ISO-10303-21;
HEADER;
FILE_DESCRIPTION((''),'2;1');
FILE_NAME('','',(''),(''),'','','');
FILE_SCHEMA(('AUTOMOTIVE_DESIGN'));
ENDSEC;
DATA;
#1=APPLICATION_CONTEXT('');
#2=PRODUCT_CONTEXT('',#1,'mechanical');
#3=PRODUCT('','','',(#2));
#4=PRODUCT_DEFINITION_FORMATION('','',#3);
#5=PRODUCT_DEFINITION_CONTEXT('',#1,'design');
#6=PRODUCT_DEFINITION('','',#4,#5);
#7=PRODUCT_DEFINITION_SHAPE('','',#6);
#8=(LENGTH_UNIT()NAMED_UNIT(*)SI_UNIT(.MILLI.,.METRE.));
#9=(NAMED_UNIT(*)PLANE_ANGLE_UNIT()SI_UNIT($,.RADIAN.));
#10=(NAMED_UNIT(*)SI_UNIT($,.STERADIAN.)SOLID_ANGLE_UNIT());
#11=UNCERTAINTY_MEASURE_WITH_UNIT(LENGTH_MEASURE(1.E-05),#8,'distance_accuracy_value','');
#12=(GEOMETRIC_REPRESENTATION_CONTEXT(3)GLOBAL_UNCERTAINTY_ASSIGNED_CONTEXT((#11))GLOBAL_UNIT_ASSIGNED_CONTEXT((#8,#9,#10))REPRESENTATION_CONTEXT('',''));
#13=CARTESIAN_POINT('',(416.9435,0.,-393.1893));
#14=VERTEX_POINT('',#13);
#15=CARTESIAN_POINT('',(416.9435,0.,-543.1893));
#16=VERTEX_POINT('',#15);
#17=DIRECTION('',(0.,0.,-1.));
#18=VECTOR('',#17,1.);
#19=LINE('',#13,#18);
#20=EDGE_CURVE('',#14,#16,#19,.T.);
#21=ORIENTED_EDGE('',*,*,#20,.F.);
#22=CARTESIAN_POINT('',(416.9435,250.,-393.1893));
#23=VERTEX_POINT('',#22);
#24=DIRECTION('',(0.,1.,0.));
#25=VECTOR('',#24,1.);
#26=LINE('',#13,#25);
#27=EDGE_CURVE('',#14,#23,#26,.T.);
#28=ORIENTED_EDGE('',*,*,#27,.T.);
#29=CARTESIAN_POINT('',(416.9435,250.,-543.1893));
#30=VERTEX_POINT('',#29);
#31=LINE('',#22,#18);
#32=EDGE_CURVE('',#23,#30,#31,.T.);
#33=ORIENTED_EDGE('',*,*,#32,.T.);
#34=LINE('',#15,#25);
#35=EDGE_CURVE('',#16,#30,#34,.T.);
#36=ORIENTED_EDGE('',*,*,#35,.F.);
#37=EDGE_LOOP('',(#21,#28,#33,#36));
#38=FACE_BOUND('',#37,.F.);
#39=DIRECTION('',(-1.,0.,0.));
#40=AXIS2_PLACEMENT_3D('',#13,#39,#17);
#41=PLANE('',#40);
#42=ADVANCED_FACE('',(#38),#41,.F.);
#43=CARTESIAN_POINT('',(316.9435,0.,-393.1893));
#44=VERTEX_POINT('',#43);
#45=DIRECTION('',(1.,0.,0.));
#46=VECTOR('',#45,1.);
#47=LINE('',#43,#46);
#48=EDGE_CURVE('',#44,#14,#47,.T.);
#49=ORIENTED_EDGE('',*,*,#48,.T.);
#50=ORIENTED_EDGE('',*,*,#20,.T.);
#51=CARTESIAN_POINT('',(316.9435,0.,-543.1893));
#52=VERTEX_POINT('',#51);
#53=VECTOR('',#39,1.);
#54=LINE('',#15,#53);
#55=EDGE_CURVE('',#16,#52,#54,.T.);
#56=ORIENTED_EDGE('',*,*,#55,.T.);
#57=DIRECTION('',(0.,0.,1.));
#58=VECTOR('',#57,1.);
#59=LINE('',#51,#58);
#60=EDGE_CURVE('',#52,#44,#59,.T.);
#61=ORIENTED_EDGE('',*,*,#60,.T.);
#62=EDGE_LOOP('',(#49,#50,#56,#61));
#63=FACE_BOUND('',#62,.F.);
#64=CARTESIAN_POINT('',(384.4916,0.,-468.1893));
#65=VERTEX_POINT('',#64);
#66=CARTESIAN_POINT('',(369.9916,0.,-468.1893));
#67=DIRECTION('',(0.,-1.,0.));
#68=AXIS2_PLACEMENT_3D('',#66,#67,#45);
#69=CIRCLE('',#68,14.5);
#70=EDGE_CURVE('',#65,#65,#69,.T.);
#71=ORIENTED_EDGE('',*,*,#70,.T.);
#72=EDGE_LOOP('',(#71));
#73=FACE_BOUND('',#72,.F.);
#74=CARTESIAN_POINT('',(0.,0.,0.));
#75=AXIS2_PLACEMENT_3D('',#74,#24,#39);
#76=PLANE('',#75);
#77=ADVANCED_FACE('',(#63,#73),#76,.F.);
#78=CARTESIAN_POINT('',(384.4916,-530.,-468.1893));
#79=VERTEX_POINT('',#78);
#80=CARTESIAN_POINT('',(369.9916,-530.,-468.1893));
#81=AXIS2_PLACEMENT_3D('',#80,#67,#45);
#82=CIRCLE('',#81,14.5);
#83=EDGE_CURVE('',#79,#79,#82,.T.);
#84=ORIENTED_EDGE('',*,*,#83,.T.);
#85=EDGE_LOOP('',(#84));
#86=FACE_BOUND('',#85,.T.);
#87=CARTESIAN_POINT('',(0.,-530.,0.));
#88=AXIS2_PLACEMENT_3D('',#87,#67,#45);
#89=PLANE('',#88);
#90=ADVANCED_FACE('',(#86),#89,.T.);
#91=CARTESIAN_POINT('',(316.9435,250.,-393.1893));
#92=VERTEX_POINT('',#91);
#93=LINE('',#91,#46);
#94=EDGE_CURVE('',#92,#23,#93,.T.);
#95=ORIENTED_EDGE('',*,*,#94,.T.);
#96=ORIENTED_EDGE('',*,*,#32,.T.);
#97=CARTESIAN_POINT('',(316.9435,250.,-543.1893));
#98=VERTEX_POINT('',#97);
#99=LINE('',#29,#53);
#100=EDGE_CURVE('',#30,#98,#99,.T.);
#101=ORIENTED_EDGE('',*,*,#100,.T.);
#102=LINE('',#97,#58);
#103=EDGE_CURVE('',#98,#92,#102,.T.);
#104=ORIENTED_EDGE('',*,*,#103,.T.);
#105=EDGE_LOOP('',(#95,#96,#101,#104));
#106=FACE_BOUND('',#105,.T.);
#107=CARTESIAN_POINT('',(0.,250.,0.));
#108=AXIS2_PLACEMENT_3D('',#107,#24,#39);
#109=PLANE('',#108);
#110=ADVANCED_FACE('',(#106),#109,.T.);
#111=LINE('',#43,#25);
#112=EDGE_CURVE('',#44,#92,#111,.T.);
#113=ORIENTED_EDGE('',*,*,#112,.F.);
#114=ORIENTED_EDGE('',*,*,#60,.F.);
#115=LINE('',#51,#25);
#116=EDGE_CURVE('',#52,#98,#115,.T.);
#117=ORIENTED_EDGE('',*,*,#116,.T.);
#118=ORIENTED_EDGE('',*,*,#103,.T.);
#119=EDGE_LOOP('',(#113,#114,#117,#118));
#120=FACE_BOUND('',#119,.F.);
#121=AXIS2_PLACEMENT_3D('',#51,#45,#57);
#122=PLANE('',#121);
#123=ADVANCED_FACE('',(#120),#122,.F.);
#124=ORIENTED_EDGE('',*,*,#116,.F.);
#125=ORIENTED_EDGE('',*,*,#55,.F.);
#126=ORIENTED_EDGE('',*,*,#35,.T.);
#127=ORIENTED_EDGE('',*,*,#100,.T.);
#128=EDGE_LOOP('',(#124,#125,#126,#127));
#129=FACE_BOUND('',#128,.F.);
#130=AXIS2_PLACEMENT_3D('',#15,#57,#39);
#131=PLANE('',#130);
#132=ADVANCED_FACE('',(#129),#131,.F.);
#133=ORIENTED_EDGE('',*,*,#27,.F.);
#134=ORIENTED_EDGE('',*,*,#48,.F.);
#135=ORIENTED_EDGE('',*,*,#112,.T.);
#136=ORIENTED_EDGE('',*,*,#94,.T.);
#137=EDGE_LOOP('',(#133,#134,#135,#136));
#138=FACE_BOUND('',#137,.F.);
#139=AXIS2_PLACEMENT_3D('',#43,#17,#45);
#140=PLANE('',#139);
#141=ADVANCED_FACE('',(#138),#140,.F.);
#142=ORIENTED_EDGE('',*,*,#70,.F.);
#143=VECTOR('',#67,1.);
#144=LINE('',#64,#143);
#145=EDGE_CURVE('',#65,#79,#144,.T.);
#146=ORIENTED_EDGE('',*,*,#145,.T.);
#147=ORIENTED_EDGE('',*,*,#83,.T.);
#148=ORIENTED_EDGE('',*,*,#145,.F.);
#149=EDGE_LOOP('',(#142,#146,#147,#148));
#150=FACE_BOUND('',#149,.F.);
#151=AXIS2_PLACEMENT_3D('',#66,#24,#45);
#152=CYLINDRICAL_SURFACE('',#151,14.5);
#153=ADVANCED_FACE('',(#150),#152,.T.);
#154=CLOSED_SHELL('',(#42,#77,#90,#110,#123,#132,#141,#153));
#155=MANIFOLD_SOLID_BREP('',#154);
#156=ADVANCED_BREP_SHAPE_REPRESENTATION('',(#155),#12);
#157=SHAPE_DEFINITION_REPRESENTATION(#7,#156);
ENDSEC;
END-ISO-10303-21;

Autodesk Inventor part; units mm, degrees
ref_plane "YZ Plane" through (0, 0, 0) normal (1, 0, 0) x (0, 1, 0)
ref_plane "XZ Plane" through (0, 0, 0) normal (0, 1, 0) x (-1, 0, 0)
ref_plane "XY Plane" through (0, 0, 0) normal (0, 0, 1) x (1, 0, 0)
sketch "Sketch2" plane through (0, 0, 0) normal (0, 1, 0) x (-1, 0, 0)
  line L0 (-316.9435, -393.1893) -> (-416.9435, -393.1893)
  line L1 (-416.9435, -393.1893) -> (-416.9435, -543.1893)
  line L2 (-416.9435, -543.1893) -> (-316.9435, -543.1893)
  line L3 (-316.9435, -543.1893) -> (-316.9435, -393.1893)
  point P0 (0, 0)
  dimension "d0" = 100
  dimension "d1" = 150
extrude "Extrusion1" add sketch "Sketch2" along normal blind 250
sketch "Sketch3" plane through (0, 0, 0) normal (0, -1, 0) x (1, 0, 0)
  circle A0 centre (369.9916, -468.1893) radius 14.5
  line L0 (316.9435, -393.1893) -> (416.9435, -393.1893) projected
  point P0 (0, 0)
  dimension "d4" = 29
  dimension "d5" = 75
extrude "Extrusion2" add sketch "Sketch3" along normal blind 530
properties part number "CUBE"
